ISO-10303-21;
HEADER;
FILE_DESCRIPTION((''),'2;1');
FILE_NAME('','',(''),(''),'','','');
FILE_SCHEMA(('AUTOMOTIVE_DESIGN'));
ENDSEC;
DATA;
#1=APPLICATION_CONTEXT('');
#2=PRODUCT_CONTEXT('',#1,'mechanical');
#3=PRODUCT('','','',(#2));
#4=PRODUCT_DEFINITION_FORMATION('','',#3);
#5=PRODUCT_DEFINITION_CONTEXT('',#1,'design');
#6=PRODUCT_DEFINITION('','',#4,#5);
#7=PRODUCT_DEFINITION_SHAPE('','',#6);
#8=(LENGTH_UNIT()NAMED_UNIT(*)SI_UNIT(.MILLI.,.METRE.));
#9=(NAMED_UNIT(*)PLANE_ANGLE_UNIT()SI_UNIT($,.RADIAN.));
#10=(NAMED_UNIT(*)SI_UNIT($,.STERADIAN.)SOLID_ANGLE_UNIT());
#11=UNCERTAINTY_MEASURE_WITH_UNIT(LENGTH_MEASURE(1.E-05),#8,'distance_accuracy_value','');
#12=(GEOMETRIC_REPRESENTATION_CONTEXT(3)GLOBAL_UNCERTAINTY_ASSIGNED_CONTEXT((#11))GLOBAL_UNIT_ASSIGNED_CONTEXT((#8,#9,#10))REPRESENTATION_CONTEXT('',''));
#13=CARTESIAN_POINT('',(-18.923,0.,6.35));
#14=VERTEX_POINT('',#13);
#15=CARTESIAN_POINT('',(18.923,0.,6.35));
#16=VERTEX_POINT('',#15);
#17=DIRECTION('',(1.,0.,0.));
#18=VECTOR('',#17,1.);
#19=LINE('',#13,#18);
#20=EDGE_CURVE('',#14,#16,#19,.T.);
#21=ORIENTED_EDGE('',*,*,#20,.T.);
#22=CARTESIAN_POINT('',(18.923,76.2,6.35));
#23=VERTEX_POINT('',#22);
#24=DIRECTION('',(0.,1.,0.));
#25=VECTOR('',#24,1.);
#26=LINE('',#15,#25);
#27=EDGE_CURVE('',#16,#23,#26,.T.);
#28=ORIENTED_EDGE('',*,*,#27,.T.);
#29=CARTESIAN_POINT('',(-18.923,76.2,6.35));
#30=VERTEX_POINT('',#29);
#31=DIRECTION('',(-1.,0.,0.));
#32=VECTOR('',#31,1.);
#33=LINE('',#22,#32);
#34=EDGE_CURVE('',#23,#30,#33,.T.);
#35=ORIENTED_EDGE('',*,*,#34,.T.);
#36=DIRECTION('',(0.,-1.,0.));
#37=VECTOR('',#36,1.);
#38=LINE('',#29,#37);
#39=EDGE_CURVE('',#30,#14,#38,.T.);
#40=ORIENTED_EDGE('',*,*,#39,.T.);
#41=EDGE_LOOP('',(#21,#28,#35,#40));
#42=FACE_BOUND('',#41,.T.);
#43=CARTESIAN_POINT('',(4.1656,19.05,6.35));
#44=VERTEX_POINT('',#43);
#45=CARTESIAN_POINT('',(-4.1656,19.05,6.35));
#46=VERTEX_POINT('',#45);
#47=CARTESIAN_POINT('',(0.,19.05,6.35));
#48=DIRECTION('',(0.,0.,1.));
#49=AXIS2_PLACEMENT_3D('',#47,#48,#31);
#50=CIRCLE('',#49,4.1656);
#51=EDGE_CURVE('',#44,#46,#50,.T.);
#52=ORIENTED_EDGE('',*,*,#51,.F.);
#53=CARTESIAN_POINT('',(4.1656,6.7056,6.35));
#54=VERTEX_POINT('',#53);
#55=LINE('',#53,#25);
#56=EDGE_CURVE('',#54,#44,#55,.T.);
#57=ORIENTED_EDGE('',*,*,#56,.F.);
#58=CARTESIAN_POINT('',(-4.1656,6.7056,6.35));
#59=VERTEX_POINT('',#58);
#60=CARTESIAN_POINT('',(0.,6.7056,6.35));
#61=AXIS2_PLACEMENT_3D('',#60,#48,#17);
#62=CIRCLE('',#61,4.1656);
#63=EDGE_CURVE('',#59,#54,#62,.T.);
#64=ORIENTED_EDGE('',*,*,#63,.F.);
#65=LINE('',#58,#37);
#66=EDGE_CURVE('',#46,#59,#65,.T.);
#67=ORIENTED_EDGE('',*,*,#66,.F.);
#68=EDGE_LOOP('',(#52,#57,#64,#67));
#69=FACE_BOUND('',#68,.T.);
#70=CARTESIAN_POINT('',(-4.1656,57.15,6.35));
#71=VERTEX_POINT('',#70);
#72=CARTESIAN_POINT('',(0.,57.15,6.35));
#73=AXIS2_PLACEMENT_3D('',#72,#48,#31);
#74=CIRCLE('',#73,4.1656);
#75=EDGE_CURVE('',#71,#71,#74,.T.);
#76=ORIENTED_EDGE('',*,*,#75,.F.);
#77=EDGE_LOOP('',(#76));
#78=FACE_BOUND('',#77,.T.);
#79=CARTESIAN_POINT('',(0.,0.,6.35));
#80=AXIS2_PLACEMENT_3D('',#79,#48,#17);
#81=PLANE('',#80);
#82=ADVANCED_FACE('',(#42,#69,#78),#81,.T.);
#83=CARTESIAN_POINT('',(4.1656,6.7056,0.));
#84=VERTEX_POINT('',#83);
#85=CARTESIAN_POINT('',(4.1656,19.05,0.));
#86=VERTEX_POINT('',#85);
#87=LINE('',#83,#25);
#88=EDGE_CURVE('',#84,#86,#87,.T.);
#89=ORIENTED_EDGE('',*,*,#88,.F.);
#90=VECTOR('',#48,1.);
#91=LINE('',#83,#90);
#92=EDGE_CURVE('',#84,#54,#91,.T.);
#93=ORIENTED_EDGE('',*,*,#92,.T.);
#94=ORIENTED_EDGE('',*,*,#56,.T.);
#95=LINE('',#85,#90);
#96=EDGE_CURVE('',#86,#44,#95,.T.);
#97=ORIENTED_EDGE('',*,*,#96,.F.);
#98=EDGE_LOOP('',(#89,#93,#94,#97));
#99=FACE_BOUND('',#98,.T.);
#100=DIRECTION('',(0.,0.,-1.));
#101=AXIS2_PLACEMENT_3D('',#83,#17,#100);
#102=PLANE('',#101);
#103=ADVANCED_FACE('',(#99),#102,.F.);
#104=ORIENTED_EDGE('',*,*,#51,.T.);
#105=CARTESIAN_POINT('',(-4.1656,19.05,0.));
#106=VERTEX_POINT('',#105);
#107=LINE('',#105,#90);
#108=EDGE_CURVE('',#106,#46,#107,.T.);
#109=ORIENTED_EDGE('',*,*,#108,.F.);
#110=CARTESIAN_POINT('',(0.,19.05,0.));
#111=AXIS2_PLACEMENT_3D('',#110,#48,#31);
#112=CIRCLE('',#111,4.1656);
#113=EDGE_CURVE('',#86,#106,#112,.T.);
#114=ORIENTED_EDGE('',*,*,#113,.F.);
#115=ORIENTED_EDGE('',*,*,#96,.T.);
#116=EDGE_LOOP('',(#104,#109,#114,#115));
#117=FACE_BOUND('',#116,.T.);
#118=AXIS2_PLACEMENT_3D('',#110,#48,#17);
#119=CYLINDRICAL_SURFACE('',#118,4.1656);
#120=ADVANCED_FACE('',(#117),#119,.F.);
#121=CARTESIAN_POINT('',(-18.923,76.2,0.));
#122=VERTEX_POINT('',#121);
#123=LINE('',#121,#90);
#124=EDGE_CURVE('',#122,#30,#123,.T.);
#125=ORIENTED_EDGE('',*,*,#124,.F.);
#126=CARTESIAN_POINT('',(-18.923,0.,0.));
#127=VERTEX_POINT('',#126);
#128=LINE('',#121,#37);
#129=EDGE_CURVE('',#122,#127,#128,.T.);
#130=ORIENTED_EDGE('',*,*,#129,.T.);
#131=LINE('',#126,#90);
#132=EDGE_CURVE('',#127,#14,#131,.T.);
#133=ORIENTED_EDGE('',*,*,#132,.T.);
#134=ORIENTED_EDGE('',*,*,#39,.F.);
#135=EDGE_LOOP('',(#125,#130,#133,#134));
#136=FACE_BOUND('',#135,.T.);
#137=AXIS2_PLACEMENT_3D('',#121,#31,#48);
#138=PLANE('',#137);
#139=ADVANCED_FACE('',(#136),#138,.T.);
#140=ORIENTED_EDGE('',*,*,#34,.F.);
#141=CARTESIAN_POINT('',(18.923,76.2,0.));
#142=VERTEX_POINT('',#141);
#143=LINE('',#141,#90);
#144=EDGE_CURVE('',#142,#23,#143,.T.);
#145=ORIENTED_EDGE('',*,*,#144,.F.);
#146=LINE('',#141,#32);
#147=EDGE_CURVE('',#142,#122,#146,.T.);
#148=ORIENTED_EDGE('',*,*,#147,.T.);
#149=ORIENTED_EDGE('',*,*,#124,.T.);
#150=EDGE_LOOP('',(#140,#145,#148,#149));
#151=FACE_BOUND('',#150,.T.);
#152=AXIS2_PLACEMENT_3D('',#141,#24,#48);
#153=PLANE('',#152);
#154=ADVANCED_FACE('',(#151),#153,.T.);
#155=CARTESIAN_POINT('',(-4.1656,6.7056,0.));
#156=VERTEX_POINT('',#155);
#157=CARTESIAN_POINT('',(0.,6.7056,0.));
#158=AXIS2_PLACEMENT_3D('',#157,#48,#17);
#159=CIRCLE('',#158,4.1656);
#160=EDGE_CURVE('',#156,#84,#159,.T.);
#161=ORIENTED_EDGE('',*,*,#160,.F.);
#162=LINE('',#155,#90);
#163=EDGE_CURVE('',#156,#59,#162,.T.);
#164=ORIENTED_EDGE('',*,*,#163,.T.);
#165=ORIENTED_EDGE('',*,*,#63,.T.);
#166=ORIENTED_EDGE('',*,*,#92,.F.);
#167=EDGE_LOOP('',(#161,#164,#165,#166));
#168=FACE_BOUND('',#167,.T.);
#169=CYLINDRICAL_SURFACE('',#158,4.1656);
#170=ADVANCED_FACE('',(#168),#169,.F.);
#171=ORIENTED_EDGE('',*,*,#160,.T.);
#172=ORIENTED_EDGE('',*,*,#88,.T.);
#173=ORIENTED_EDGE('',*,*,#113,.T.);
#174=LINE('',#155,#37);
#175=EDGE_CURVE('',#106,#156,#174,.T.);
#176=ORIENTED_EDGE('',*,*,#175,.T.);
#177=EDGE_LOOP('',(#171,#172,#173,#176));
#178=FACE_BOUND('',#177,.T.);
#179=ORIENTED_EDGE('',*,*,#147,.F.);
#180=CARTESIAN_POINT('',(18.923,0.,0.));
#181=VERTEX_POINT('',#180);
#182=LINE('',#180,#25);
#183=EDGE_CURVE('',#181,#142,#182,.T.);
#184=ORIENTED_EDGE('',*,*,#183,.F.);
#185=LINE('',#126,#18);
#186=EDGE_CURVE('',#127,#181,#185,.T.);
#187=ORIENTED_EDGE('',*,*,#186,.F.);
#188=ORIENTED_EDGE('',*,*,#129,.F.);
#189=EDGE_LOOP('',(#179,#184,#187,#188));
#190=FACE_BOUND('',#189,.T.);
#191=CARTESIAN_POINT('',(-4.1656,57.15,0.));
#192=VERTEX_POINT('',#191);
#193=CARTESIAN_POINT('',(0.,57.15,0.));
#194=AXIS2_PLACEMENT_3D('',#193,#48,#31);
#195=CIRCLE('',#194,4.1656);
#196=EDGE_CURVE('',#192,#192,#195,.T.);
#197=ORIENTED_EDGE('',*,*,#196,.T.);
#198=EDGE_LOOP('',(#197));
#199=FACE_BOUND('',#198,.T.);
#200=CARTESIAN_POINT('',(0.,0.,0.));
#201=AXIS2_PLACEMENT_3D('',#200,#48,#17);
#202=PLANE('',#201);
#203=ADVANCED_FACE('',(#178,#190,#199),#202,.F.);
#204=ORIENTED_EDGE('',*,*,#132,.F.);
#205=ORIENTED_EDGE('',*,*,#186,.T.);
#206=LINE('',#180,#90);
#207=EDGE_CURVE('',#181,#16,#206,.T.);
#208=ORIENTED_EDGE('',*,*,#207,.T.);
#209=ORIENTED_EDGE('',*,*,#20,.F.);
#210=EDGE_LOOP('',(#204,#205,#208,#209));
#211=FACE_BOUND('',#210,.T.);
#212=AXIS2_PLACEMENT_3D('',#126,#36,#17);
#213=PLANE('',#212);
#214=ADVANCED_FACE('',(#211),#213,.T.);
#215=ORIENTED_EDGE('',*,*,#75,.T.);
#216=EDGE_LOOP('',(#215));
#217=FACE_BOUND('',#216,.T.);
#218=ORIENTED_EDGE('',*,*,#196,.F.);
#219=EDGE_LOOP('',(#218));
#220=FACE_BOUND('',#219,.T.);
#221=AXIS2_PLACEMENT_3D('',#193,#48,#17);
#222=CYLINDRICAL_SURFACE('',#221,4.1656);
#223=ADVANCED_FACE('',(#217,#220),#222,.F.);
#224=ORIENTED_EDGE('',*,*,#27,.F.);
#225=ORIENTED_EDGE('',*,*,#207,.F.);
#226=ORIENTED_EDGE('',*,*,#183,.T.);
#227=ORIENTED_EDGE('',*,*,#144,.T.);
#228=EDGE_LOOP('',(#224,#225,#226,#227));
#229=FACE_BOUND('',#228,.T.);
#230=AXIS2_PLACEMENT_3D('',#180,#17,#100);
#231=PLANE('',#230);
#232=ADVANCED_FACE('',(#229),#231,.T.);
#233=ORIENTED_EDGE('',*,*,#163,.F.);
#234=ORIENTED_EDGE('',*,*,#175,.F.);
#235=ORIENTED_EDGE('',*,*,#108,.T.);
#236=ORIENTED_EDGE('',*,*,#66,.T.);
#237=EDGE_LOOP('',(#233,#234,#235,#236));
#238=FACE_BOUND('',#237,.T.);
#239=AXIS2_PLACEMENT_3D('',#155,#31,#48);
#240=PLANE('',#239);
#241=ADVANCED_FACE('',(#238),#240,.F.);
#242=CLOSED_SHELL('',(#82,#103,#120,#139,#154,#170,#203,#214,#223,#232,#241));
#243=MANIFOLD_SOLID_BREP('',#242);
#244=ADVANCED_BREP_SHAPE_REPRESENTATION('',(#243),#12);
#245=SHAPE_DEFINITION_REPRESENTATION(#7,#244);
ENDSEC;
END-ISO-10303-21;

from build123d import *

# Parameters (mm, degrees)
SKETCH1_W           = 37.846
SKETCH1_H           = 76.2
SKETCH1_R           = 4.1656
BOSS_EXTRUDE1_DEPTH = 6.35
CUT_EXTRUDE1_DEPTH  = 79.770822193


with BuildPart() as part:
    # Sketch1 → Boss-Extrude1 (new body)
    with BuildSketch(Plane.XY.offset(6.35)):
        with Locations((0, 38.1)):
            Rectangle(SKETCH1_W, SKETCH1_H)
        with Locations(Location((0, 57.15, 0), (0, 0, 180))):
            Circle(SKETCH1_R, mode=Mode.SUBTRACT)
        with Locations(Location((0, 19.05, 0), (0, 0, 180))):
            Circle(SKETCH1_R, mode=Mode.SUBTRACT)
    extrude(amount=-BOSS_EXTRUDE1_DEPTH)

    # Sketch2 → Cut-Extrude1 (cut, through all)
    with BuildSketch(Plane.XY.offset(6.35)):
        with BuildLine():
            Line((-4.1656, 6.7056), (-4.1656, 19.05))
            ThreePointArc((-4.1656, 19.05), (0, 23.2156), (4.1656, 19.05))
            Line((4.1656, 19.05), (4.1656, 6.7056))
            ThreePointArc((4.1656, 6.7056), (0, 2.54), (-4.1656, 6.7056))
        make_face()
    extrude(amount=-CUT_EXTRUDE1_DEPTH, mode=Mode.SUBTRACT)


solid = part.part
